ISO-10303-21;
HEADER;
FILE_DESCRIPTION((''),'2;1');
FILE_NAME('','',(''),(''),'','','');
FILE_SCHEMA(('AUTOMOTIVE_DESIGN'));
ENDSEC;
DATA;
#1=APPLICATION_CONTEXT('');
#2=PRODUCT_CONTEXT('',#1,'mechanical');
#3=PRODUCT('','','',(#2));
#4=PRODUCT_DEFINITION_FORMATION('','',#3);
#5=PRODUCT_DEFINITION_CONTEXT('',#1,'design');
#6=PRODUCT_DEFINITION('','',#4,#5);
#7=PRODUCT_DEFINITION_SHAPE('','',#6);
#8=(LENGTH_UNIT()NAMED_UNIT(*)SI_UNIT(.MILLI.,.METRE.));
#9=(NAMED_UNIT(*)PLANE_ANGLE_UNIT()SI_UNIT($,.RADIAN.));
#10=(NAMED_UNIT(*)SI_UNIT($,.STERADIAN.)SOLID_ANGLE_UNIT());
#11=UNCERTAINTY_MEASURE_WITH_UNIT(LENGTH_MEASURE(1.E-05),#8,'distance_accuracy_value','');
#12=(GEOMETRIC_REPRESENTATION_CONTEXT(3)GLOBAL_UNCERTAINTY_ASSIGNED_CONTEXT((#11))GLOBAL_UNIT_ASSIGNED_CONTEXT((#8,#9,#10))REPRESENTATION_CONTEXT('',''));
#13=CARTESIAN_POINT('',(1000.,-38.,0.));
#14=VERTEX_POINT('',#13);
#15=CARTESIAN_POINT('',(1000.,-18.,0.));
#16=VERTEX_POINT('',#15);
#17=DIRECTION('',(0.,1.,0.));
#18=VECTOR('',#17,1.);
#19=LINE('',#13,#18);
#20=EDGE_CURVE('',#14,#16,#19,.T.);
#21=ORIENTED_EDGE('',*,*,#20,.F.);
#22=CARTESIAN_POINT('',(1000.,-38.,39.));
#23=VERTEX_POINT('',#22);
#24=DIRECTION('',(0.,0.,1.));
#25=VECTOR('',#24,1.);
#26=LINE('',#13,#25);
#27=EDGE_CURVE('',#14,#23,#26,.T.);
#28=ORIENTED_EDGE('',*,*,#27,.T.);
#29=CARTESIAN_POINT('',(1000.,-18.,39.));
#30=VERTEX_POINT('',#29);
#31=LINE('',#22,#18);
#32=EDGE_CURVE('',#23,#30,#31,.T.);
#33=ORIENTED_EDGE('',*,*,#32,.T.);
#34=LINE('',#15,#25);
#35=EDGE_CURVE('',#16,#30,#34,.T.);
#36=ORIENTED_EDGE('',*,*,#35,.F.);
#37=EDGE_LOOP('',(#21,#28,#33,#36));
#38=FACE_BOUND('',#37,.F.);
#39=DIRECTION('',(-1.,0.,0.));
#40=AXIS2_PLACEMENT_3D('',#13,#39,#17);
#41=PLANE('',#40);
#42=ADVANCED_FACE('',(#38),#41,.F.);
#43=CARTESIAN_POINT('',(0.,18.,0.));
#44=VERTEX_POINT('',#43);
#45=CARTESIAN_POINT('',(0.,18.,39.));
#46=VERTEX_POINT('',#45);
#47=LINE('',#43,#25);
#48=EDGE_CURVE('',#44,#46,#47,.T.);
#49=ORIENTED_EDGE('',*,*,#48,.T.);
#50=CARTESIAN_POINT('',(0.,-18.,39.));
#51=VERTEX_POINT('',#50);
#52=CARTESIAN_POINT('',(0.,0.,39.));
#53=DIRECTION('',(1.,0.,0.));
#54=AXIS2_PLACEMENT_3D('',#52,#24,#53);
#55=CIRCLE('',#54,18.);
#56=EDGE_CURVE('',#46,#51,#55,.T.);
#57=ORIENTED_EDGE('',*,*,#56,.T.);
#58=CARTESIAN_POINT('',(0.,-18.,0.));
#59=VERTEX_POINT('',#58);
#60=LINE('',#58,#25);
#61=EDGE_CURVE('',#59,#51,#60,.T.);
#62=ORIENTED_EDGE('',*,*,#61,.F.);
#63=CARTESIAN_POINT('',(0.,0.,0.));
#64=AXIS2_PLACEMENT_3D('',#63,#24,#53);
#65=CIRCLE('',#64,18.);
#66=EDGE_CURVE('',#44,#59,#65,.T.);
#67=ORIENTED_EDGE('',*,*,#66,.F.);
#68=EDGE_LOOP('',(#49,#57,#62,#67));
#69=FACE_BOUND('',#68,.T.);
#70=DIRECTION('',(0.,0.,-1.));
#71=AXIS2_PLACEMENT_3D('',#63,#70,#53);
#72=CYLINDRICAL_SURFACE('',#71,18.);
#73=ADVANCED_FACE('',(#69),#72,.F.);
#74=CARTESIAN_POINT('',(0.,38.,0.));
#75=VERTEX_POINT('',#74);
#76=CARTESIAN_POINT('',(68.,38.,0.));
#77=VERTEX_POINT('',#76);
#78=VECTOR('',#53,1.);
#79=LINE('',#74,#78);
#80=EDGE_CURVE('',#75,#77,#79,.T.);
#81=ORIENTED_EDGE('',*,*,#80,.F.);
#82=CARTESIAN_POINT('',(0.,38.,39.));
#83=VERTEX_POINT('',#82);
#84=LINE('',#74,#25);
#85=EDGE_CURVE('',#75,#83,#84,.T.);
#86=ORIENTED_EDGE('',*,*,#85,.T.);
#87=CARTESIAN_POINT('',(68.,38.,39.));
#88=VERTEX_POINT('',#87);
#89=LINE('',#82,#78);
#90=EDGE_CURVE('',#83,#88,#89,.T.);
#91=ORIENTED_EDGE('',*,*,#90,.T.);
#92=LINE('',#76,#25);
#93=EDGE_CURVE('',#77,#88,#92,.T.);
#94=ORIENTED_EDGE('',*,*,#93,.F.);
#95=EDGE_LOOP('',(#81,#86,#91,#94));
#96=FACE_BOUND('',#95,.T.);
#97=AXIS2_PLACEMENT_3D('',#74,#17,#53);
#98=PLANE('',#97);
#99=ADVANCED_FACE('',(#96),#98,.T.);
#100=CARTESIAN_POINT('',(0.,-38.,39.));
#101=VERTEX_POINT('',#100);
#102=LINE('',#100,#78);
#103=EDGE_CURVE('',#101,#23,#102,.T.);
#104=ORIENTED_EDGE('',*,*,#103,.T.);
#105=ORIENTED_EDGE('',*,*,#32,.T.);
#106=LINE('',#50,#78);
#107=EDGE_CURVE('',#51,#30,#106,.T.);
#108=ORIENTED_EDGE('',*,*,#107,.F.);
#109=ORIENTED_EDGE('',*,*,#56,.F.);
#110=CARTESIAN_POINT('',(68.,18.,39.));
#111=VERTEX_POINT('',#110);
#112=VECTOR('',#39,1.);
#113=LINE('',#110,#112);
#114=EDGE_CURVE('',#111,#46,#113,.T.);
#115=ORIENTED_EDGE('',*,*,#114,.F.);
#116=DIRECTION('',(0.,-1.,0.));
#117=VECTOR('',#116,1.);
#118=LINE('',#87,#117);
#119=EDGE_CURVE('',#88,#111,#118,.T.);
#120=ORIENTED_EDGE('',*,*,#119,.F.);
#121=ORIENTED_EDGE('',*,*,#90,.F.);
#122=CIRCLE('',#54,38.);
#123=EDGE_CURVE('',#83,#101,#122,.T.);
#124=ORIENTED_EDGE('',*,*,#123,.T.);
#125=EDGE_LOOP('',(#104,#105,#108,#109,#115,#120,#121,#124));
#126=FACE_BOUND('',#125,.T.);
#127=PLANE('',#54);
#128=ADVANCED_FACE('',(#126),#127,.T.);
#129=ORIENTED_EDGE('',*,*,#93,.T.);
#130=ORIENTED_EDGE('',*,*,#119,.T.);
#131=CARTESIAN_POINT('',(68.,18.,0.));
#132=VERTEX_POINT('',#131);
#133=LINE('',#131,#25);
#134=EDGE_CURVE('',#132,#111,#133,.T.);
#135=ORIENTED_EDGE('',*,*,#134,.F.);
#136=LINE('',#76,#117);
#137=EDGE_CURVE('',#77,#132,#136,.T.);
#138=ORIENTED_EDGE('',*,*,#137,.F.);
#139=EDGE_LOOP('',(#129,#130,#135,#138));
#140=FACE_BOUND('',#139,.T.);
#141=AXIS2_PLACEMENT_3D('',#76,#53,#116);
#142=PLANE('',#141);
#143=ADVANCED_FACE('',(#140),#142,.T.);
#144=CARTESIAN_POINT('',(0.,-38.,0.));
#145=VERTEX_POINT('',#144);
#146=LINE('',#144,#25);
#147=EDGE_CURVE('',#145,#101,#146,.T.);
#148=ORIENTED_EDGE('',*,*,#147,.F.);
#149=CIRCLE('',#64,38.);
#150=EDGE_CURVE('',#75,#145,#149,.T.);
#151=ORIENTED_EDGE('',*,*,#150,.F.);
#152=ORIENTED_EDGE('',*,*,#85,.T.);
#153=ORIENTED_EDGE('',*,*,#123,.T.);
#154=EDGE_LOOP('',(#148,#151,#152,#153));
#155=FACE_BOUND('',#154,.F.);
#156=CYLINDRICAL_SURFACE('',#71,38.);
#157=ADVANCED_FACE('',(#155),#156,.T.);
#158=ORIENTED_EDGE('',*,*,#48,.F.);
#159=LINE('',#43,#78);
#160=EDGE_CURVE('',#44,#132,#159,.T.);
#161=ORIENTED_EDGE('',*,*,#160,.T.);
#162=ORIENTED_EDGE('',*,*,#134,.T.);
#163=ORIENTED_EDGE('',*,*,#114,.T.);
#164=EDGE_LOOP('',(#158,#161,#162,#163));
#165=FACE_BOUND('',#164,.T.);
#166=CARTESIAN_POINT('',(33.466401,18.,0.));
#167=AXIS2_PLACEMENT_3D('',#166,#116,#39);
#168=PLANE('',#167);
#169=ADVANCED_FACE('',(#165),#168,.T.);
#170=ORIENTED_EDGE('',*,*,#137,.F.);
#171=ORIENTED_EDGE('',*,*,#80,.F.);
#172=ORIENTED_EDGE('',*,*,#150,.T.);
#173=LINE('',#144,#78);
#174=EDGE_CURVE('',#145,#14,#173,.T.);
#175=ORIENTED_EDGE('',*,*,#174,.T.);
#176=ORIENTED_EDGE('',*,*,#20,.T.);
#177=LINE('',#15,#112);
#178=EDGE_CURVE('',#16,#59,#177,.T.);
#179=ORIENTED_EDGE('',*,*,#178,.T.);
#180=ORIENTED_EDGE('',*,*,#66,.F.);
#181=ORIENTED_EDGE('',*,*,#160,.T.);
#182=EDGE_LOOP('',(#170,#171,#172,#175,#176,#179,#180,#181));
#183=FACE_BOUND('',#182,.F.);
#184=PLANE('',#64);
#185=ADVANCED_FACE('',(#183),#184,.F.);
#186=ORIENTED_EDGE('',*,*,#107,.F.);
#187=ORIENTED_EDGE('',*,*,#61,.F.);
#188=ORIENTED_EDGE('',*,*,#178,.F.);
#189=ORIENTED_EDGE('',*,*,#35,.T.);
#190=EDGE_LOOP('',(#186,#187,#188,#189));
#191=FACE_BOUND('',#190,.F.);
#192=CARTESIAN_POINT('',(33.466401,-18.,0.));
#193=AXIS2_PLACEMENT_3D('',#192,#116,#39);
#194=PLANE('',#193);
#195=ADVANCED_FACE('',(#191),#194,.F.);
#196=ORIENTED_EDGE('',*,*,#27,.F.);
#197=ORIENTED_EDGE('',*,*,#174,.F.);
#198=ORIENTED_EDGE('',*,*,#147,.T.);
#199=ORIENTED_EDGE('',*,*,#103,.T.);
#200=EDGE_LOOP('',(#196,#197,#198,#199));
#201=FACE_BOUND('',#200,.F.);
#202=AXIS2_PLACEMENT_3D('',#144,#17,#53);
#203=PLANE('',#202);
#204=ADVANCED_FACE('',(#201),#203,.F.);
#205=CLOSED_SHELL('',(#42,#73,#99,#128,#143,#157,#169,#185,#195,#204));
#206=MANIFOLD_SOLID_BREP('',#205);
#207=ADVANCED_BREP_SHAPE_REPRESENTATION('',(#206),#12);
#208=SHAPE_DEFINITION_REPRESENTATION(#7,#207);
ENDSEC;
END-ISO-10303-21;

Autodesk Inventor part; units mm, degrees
ref_plane "YZ Plane" through (0, 0, 0) normal (1, 0, 0) x (0, 1, 0)
ref_plane "XZ Plane" through (0, 0, 0) normal (0, 1, 0) x (-1, 0, 0)
ref_plane "XY Plane" through (0, 0, 0) normal (0, 0, 1) x (1, 0, 0)
sketch "Sketch1" plane through (0, 0, 0) normal (0, 0, 1) x (1, 0, 0)
  circle A0 centre (0, 0) radius 38
  line L0 (0, -38) -> (1000, -38)
  line L1 (1000, -38) -> (1000, -18)
  line L2 (1000, -18) -> (0, -18)
  line L3 (0, -18) -> (0, -38)
  line L4 (0, 38) -> (68, 38)
  line L5 (68, 38) -> (68, 18)
  line L6 (68, 18) -> (0, 18)
  line L7 (0, 18) -> (0, 38)
  circle A1 centre (0, 0) radius 18
  dimension "d0" = 76
  dimension "d1" = 20
  dimension "d2" = 20
  dimension "d4" = 1000
  dimension "d7" = 68
extrude "Extrusion1" add sketch "Sketch1" along normal blind 39 contours L7 A1 L3 A0 | L4 L5 L6 A0 | A0 L6 L7 | L3 L2 A0 | A0 L2 L1 L0
properties part number "J15BF.1.30"
